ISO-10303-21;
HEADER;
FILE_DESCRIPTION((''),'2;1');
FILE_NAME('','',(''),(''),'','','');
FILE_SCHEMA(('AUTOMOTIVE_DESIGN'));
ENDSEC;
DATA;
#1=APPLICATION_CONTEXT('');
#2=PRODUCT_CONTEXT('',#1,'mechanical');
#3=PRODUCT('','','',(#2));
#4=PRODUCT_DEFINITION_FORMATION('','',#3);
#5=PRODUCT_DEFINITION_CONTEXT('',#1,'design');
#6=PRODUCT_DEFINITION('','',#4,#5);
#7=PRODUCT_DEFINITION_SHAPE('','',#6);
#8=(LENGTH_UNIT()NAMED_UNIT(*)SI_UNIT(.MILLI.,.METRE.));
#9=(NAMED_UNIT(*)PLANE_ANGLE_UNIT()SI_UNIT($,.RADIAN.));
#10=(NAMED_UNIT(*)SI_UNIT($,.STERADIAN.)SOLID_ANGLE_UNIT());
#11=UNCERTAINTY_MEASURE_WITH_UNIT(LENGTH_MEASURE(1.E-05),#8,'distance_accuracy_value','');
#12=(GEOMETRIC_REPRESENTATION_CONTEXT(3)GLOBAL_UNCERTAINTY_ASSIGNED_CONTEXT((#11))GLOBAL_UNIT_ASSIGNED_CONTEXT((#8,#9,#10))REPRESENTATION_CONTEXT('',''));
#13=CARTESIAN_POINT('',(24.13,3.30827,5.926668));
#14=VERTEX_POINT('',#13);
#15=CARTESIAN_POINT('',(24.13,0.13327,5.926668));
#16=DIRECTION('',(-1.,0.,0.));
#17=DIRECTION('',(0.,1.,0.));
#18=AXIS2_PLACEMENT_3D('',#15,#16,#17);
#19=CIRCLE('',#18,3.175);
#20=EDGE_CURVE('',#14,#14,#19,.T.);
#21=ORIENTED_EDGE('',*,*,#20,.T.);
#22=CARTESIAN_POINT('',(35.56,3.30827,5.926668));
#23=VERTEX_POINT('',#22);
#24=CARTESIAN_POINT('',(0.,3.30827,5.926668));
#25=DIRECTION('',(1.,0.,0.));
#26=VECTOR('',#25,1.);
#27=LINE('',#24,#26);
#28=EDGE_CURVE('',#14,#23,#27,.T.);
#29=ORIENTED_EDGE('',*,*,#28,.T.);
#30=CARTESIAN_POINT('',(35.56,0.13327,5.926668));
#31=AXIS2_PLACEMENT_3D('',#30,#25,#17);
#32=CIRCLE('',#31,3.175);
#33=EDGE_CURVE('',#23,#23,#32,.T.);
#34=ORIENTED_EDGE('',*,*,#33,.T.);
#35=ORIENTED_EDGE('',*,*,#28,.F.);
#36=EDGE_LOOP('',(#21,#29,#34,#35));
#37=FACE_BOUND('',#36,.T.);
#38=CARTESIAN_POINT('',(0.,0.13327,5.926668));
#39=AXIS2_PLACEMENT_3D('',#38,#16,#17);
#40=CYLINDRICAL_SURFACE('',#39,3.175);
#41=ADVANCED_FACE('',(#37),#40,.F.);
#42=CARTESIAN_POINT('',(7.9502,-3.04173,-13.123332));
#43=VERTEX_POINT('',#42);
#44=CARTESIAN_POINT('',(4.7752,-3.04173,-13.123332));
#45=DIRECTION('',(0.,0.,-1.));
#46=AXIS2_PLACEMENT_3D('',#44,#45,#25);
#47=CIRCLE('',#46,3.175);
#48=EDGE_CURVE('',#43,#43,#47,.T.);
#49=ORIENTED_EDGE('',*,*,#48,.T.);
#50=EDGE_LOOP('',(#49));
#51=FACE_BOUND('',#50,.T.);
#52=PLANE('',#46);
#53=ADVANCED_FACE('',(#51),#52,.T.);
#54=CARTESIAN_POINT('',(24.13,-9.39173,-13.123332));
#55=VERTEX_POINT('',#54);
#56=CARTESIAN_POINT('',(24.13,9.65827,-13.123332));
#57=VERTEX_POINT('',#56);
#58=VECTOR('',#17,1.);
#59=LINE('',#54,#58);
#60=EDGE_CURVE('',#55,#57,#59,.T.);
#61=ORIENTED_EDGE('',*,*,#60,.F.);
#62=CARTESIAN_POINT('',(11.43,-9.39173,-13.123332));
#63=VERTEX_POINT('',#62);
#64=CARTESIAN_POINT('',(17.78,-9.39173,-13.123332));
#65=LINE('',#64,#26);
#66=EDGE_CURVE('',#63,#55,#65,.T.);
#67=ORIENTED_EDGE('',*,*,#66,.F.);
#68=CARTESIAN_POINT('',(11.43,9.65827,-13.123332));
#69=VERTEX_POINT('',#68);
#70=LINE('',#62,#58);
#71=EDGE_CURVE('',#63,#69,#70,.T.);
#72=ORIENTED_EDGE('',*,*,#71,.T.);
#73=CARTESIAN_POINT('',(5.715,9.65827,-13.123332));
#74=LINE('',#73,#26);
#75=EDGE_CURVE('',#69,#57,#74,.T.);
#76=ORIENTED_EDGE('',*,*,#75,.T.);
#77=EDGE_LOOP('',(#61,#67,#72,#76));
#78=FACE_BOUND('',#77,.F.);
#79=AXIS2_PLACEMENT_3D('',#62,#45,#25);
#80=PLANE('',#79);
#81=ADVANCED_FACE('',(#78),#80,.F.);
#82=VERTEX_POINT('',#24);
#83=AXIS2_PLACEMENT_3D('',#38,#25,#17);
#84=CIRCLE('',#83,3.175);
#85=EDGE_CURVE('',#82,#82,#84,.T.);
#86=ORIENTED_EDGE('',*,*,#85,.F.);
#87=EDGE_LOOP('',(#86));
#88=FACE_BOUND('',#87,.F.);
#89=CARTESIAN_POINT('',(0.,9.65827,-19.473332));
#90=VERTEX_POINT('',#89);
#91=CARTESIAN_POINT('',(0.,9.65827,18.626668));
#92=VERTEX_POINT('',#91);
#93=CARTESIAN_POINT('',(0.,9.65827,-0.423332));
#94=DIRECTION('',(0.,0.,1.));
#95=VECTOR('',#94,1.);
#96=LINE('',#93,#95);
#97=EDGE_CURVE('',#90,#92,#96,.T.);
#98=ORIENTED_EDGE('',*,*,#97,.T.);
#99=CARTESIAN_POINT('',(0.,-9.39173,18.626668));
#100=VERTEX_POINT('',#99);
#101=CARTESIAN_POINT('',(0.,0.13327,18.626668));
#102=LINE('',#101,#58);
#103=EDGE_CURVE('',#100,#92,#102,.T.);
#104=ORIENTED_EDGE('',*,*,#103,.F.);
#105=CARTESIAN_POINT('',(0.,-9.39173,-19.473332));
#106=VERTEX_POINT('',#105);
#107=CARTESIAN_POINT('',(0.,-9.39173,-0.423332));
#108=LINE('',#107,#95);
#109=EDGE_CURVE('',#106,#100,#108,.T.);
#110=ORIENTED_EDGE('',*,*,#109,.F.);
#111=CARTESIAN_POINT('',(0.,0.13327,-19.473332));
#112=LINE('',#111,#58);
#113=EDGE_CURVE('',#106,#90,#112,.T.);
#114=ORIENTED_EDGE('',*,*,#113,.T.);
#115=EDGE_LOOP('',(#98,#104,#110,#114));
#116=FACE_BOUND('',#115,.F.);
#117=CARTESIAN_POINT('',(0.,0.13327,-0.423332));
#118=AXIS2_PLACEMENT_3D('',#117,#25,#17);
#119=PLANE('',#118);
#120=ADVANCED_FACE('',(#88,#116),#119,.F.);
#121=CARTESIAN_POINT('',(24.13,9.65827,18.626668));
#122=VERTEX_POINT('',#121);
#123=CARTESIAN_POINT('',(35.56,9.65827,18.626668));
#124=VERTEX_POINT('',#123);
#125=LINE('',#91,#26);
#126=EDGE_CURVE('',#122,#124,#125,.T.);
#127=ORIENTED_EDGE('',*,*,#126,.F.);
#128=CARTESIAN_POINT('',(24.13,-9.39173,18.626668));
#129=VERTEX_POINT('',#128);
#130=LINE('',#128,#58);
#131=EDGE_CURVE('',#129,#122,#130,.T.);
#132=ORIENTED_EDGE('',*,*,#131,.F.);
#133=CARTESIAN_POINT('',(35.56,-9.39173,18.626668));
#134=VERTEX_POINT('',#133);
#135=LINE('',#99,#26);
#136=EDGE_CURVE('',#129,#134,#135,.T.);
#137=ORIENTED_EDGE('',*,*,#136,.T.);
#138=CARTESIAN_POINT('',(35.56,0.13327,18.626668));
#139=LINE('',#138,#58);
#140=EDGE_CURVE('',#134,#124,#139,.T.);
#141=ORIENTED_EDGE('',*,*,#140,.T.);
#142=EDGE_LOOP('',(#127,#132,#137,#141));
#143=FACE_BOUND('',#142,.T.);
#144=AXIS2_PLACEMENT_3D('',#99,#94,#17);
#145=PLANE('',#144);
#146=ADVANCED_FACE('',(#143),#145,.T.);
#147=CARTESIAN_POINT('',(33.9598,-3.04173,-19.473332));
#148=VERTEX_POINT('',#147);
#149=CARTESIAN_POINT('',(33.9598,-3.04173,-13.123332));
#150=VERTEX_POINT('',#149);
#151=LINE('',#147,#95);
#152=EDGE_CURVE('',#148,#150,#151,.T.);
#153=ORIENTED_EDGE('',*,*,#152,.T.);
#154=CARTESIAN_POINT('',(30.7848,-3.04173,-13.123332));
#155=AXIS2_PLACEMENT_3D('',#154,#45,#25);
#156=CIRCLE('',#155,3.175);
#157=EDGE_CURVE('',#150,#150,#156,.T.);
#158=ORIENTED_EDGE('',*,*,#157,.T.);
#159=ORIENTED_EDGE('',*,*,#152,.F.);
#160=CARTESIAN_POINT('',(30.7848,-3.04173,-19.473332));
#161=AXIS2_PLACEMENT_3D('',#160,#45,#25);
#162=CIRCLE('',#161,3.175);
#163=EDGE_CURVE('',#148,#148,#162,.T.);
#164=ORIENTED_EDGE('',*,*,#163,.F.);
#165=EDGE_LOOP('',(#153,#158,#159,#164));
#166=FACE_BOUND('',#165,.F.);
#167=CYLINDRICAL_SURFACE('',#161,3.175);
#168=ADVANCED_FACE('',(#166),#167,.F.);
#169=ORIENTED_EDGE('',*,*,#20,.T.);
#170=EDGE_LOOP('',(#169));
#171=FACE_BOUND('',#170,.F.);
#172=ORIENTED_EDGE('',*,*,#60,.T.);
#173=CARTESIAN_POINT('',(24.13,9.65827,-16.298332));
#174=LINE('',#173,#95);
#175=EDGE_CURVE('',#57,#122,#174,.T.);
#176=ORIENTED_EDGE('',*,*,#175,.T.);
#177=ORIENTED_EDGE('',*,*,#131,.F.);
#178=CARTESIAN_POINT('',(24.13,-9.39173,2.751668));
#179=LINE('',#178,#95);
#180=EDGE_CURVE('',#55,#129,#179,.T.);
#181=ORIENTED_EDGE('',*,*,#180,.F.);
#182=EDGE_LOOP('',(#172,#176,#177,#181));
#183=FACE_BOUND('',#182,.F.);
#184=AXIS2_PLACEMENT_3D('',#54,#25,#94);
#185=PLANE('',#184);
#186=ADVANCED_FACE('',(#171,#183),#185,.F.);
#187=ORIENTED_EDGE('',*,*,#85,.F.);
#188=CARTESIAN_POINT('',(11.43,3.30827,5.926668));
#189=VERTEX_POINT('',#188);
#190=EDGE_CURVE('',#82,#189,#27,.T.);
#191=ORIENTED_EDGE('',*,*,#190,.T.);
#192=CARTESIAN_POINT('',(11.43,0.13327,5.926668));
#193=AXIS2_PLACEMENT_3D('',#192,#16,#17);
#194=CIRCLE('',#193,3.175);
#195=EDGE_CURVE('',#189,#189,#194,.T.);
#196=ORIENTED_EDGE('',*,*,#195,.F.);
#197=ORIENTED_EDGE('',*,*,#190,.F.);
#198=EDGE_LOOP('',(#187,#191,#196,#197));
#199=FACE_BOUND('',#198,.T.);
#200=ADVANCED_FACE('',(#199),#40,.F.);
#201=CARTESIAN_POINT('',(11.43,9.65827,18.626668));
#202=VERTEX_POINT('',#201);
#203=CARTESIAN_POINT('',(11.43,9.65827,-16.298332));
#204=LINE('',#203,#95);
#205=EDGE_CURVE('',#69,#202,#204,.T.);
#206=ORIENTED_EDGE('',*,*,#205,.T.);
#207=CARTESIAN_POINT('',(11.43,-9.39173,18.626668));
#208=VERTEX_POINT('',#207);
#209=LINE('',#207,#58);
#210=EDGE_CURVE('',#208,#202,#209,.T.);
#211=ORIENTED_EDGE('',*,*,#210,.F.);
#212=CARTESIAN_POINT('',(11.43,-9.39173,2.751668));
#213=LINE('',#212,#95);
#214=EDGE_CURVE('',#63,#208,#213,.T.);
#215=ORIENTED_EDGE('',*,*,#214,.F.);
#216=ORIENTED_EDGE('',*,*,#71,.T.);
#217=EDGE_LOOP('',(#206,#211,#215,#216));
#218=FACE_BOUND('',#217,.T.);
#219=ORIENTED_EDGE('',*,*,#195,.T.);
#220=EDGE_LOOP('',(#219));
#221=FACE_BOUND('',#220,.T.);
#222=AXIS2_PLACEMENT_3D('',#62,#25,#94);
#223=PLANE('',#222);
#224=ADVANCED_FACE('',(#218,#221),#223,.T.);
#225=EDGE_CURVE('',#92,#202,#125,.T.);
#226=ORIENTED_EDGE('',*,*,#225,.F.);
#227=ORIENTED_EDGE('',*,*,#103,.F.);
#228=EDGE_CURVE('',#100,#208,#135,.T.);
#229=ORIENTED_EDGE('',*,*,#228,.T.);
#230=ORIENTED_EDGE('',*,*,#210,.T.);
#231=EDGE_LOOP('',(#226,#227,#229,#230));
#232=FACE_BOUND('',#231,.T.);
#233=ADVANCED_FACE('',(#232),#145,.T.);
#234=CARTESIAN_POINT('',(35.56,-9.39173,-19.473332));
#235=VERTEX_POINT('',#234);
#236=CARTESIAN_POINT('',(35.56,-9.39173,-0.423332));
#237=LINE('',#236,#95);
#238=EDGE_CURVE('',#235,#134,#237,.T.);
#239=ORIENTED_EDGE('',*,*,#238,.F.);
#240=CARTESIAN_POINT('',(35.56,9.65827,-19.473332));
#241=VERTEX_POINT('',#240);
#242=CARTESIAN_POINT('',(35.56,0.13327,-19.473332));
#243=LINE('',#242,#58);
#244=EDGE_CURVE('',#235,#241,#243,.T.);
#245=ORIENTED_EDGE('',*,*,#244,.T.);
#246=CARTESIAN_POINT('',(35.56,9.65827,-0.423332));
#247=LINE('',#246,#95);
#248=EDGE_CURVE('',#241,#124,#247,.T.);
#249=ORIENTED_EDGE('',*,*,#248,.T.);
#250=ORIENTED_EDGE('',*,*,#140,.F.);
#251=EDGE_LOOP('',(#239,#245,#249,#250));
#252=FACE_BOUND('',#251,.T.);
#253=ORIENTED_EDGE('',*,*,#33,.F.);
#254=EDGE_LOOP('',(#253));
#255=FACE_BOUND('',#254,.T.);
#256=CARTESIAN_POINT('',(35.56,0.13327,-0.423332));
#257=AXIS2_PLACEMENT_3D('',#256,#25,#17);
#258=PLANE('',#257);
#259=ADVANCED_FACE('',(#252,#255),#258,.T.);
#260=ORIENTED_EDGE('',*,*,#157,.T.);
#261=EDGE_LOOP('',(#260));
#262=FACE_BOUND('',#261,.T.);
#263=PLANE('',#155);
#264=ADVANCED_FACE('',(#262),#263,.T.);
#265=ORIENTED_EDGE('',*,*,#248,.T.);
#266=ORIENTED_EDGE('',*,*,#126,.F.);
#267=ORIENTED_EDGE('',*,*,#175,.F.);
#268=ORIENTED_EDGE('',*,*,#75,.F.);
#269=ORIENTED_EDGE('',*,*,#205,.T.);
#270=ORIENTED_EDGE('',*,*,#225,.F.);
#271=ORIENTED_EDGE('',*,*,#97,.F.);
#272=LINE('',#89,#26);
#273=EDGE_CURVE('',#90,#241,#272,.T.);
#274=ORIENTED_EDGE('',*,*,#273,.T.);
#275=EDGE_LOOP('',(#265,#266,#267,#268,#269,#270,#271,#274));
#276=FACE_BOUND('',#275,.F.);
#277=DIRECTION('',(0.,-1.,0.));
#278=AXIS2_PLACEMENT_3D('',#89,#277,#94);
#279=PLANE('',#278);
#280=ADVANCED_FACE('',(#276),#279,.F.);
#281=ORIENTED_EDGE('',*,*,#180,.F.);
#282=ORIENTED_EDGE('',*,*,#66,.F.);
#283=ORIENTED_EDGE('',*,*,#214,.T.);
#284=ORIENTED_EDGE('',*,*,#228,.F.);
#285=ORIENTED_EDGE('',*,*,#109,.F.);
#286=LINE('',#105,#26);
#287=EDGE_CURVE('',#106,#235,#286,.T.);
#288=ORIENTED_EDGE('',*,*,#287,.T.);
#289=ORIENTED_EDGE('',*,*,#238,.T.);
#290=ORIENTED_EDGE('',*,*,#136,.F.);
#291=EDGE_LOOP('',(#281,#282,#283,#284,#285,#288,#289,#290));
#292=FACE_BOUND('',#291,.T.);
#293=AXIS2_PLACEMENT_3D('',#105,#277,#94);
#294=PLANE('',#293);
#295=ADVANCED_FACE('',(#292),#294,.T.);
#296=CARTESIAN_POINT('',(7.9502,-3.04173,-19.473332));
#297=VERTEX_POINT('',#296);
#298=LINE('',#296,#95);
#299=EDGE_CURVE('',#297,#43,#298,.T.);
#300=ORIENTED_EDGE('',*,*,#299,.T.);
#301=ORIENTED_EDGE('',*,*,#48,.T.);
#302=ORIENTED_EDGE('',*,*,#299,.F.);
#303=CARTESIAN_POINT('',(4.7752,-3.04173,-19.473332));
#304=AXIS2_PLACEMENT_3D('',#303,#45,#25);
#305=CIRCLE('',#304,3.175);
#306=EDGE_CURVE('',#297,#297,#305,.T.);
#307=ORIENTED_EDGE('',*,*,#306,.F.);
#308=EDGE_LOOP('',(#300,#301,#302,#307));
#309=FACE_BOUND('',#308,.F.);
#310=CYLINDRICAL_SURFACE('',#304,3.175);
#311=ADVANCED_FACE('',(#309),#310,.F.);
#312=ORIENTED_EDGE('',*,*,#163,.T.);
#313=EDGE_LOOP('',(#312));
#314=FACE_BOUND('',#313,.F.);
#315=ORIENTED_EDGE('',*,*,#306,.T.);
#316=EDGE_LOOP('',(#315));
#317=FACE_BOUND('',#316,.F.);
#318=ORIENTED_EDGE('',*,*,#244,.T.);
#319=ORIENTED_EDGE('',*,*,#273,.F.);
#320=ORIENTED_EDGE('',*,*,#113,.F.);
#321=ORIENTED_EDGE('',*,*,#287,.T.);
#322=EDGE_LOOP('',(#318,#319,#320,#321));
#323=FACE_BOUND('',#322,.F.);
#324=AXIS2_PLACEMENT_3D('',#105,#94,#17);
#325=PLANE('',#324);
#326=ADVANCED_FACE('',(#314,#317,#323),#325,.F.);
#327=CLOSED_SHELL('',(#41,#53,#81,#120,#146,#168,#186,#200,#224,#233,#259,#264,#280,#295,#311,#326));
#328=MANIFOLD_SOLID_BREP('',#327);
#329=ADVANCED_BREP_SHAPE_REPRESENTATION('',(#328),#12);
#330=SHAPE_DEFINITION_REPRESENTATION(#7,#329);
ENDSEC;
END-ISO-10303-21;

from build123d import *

# Parameters (mm, degrees)
F0_W     = 19.05
F0_H     = 38.1
F0_R     = 3.175
F1_DEPTH = 35.56
F2_R     = 3.175
F3_DEPTH = 6.35
F4_W     = 12.7
F4_H     = 31.75
F5_DEPTH = 35.56


with BuildPart() as f1:
    # F0 (on Right) → F1 (new body)
    with BuildSketch(Plane.YZ):
        with Locations((0.13327, -0.423332)):
            Rectangle(F0_W, F0_H)
        with Locations((0.13327, 5.926668)):
            Circle(F0_R, mode=Mode.SUBTRACT)
    extrude(amount=F1_DEPTH)

    # F2 (on face) → F3 (cut)
    with BuildSketch(Plane(origin=(0, 0, -19.473332), x_dir=(1, 0, 0), z_dir=(0, 0, -1))):
        with Locations((4.7752, 3.04173)):
            Circle(F2_R)
        with Locations((30.7848, 3.04173)):
            Circle(F2_R)
    extrude(amount=-F3_DEPTH, mode=Mode.SUBTRACT)

    # F4 (on face) → F5 (cut)
    with BuildSketch(Plane.XZ.offset(9.39173)):
        with Locations((17.78, 2.751668)):
            Rectangle(F4_W, F4_H)
    extrude(amount=-F5_DEPTH, mode=Mode.SUBTRACT)


solid = f1.part
